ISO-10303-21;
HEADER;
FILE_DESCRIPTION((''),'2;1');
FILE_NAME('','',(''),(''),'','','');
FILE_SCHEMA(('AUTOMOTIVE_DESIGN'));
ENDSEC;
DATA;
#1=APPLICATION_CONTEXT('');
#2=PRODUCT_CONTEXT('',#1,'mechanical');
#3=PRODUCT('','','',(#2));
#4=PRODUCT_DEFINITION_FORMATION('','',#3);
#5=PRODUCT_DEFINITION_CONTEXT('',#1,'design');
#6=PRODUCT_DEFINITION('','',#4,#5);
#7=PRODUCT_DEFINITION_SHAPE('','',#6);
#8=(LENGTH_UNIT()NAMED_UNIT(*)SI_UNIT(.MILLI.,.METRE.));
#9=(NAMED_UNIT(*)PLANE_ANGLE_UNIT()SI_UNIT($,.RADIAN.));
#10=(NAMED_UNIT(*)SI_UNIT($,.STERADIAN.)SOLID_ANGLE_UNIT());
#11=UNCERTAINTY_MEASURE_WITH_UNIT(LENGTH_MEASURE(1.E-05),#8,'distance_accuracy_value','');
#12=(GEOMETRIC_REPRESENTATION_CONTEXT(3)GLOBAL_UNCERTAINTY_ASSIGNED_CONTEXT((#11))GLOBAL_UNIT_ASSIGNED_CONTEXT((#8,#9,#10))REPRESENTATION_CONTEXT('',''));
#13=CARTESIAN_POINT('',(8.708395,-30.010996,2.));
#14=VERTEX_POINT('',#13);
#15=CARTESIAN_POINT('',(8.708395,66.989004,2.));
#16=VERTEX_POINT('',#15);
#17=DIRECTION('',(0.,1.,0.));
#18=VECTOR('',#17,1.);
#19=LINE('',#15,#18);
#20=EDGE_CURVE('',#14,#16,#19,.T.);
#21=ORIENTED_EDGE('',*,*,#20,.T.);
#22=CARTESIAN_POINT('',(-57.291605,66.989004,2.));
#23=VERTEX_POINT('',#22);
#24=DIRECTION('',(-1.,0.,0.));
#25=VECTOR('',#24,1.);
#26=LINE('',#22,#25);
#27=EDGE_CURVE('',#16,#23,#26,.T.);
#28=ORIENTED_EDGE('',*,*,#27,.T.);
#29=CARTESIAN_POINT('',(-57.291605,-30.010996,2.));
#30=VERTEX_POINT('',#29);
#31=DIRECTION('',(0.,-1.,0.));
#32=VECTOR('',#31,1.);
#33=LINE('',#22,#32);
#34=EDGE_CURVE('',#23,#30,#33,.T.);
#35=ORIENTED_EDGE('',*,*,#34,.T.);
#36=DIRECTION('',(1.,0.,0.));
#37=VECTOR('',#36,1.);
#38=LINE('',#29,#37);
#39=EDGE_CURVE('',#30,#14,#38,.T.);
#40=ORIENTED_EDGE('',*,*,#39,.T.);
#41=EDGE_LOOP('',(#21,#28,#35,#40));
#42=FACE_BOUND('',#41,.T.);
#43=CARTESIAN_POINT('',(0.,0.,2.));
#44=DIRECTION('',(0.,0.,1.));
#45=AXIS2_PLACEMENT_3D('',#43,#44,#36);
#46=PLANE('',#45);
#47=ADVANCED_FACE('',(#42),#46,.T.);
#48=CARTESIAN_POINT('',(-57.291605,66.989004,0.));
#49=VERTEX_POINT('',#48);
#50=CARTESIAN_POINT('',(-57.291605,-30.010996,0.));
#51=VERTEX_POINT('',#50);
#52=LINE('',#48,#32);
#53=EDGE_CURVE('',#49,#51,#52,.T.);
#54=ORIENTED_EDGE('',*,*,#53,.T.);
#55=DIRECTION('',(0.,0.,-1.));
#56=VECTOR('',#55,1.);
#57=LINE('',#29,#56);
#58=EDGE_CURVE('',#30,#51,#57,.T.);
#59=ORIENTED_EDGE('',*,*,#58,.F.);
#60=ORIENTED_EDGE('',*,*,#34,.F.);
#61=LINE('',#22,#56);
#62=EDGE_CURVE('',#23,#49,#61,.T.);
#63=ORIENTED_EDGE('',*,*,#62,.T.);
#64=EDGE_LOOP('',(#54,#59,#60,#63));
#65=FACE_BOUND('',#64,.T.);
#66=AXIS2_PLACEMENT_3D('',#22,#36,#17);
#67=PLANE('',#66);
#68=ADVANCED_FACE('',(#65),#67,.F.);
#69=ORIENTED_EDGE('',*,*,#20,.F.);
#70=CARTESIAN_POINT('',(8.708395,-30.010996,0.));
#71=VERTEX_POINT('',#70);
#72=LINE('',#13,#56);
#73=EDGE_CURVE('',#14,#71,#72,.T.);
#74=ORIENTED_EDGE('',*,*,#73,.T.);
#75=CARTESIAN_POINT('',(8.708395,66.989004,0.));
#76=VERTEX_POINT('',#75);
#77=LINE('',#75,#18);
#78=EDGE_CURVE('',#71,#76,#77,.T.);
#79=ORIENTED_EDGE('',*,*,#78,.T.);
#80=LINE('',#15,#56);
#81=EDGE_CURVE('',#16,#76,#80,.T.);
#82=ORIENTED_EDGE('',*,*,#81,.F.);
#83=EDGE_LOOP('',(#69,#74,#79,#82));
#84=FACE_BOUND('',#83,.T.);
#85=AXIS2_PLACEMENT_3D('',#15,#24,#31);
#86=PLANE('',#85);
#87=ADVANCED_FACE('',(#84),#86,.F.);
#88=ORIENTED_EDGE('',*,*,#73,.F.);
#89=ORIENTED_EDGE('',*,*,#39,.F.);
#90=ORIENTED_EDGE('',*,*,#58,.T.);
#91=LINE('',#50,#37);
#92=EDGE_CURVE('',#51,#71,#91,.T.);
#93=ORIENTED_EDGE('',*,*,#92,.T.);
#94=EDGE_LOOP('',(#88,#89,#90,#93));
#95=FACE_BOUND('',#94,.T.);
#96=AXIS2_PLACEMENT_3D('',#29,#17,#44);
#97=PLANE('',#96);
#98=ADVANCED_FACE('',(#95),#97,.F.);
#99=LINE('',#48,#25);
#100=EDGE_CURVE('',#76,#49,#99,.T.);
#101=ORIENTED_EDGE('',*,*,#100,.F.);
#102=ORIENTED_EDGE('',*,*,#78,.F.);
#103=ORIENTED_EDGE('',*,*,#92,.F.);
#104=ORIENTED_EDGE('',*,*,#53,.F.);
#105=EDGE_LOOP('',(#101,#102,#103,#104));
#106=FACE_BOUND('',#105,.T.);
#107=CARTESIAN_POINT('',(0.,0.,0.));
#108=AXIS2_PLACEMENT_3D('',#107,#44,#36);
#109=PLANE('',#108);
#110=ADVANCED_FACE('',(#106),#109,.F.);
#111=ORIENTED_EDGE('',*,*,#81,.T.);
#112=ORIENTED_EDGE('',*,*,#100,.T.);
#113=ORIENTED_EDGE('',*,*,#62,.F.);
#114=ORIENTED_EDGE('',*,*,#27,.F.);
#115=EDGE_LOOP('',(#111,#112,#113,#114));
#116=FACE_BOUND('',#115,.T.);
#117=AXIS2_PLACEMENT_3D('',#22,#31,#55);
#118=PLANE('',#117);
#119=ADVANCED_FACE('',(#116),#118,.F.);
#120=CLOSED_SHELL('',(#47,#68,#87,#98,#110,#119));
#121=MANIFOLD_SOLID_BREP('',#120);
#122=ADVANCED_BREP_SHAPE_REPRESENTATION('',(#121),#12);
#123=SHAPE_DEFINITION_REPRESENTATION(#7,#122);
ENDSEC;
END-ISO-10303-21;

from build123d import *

# Parameters (mm, degrees)
ESQUISSE1_W        = 66
ESQUISSE1_H        = 97
BOSS_EXTRU_1_DEPTH = 2


with BuildPart() as part:
    # Esquisse1 → Boss.-Extru.1 (new body)
    with BuildSketch(Plane.XY):
        with Locations((-24.291605446, 18.489004149)):
            Rectangle(ESQUISSE1_W, ESQUISSE1_H)
    extrude(amount=BOSS_EXTRU_1_DEPTH)


solid = part.part
